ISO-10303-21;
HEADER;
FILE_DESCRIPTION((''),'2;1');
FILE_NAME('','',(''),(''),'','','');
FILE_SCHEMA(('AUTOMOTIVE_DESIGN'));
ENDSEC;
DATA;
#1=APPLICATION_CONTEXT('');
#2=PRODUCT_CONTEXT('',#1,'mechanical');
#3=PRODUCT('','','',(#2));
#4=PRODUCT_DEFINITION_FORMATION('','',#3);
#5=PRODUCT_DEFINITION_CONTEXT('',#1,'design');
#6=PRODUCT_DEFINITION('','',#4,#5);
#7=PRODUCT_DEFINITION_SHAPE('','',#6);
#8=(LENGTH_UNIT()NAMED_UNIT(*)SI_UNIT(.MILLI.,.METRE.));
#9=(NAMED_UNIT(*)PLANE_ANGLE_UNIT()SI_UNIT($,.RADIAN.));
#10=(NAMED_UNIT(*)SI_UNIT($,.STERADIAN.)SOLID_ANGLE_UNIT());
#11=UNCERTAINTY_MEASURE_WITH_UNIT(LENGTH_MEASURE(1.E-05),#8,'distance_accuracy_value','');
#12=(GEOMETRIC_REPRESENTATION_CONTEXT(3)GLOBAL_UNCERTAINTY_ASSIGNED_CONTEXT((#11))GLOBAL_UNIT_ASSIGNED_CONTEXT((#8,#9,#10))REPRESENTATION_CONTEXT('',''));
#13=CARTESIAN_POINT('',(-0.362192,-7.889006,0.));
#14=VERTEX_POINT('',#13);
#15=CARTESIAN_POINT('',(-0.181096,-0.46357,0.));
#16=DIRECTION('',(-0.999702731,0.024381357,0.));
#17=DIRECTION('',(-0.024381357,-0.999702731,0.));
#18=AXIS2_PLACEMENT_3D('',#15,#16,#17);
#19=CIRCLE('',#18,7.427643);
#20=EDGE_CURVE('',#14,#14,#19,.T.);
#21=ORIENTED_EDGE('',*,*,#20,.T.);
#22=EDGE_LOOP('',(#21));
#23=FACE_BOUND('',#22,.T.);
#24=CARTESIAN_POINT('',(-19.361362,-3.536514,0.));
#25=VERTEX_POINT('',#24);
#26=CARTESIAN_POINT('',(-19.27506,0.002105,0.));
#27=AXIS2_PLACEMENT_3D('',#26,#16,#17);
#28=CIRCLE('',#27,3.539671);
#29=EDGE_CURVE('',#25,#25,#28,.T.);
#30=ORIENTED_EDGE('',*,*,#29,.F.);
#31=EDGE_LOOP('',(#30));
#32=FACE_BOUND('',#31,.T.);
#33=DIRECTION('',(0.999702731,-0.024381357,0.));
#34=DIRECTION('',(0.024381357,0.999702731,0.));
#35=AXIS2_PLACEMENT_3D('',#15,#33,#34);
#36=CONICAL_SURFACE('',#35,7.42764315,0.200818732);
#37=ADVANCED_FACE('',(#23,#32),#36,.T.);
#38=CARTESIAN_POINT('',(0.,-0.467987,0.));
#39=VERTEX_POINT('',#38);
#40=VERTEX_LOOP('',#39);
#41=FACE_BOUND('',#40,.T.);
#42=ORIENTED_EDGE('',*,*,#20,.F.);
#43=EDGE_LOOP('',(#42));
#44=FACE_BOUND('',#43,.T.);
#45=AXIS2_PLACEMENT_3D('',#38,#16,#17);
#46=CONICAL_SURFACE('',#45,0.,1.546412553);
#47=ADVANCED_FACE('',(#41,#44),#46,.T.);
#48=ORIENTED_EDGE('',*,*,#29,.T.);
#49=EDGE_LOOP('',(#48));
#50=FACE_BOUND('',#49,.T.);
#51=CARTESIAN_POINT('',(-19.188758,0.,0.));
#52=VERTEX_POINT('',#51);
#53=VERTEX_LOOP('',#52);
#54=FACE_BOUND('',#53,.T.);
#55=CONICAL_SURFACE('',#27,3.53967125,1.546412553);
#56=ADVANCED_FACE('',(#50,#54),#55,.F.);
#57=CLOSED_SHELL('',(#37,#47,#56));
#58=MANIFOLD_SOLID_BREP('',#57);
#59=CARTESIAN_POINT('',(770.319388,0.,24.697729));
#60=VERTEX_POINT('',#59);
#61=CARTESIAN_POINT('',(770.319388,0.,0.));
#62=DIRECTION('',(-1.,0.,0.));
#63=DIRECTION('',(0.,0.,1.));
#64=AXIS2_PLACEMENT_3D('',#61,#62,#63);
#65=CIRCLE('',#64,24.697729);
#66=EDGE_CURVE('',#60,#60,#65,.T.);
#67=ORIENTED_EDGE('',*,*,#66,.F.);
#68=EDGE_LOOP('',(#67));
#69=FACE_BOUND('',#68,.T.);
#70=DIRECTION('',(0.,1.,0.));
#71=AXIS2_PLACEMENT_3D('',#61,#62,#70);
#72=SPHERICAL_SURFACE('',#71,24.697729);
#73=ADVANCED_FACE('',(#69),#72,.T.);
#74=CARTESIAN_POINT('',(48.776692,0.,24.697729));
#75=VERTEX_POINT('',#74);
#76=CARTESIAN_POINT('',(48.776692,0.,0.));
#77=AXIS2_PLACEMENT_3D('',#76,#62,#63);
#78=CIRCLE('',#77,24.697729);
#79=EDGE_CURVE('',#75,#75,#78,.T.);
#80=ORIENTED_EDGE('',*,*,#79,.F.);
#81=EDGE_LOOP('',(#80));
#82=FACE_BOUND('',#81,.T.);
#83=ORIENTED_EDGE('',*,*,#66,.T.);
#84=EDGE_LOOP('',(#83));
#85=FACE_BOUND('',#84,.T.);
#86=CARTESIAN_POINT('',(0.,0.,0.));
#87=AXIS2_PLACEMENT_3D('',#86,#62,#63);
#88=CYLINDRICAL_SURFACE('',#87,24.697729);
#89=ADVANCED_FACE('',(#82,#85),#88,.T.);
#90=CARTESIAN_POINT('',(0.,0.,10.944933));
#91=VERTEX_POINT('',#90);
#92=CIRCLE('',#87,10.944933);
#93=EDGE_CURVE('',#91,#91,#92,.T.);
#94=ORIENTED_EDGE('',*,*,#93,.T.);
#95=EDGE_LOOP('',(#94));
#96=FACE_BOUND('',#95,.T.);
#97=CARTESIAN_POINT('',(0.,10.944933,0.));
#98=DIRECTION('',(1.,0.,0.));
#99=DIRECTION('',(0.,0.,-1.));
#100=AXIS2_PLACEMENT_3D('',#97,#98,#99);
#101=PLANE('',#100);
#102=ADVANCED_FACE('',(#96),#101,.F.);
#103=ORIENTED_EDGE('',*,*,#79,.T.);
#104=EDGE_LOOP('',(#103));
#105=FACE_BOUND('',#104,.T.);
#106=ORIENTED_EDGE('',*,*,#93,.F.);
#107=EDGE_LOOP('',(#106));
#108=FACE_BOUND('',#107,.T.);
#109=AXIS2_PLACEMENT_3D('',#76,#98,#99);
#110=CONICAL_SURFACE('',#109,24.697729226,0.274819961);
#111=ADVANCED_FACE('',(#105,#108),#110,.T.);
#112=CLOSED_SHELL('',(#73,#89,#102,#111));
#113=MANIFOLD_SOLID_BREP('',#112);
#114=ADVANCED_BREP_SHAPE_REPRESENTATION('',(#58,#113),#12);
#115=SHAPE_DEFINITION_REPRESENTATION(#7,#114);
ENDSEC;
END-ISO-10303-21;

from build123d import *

# Parameters (mm, degrees)
SKETCH_9_W = 658.509048611
SKETCH_9_H = 24.697729226


with BuildPart() as part:
    # 草图4 → 旋转2 (revolve)
    with BuildSketch(Plane.XY, mode=Mode.PRIVATE) as revolve_2_sk:
        Polygon((0, 0), (111.810339883, 0), (111.810339883, 24.697729226), (48.776692206, 24.697729226), (0, 10.944933369), align=None)
    revolve(revolve_2_sk.sketch.rotate(Axis((0, 0, 0), (1, 0, 0)), 90), axis=Axis((0, 0, 0), (1, 0, 0)))

    # 草图9 → 旋转4 (revolve)
    with BuildSketch(Plane.XY, mode=Mode.PRIVATE) as revolve_4_sk:
        with Locations((441.064864188, 12.348864613)):
            Rectangle(SKETCH_9_W, SKETCH_9_H)
    revolve(revolve_4_sk.sketch.rotate(Axis((111.810339883, 0, 0), (1, 0, 0)), 90), axis=Axis((111.810339883, 0, 0), (1, 0, 0)))

    # 草图10 → 旋转5 (revolve)
    with BuildSketch(Plane.XY):
        with BuildLine():
            Line((770.319388494, 0), (795.01711772, 0))
            ThreePointArc((795.01711772, 0), (787.78332031, 17.463931816), (770.319388494, 24.697729226))
            Line((770.319388494, 24.697729226), (770.319388494, 0))
        make_face()
    revolve(axis=Axis((0, 0, 0), (1, 0, 0)))


with BuildPart() as body_2:
    # 草图6 → 旋转3 (revolve)
    with BuildSketch(Plane.XY, mode=Mode.PRIVATE) as revolve_3_sk:
        Polygon((0, -0.46798709), (0, 6.961864729), (-19.188758431, 3.540723799), (-19.188758431, 0), align=None)
    revolve(revolve_3_sk.sketch.rotate(Axis((-19.188758431, 0, 0), (0.9997027305288129, -0.024381357083554822, 0)), 180), axis=Axis((-19.188758431, 0, 0), (0.9997027305288129, -0.024381357083554822, 0)))


solid = Compound([part.part, body_2.part])
